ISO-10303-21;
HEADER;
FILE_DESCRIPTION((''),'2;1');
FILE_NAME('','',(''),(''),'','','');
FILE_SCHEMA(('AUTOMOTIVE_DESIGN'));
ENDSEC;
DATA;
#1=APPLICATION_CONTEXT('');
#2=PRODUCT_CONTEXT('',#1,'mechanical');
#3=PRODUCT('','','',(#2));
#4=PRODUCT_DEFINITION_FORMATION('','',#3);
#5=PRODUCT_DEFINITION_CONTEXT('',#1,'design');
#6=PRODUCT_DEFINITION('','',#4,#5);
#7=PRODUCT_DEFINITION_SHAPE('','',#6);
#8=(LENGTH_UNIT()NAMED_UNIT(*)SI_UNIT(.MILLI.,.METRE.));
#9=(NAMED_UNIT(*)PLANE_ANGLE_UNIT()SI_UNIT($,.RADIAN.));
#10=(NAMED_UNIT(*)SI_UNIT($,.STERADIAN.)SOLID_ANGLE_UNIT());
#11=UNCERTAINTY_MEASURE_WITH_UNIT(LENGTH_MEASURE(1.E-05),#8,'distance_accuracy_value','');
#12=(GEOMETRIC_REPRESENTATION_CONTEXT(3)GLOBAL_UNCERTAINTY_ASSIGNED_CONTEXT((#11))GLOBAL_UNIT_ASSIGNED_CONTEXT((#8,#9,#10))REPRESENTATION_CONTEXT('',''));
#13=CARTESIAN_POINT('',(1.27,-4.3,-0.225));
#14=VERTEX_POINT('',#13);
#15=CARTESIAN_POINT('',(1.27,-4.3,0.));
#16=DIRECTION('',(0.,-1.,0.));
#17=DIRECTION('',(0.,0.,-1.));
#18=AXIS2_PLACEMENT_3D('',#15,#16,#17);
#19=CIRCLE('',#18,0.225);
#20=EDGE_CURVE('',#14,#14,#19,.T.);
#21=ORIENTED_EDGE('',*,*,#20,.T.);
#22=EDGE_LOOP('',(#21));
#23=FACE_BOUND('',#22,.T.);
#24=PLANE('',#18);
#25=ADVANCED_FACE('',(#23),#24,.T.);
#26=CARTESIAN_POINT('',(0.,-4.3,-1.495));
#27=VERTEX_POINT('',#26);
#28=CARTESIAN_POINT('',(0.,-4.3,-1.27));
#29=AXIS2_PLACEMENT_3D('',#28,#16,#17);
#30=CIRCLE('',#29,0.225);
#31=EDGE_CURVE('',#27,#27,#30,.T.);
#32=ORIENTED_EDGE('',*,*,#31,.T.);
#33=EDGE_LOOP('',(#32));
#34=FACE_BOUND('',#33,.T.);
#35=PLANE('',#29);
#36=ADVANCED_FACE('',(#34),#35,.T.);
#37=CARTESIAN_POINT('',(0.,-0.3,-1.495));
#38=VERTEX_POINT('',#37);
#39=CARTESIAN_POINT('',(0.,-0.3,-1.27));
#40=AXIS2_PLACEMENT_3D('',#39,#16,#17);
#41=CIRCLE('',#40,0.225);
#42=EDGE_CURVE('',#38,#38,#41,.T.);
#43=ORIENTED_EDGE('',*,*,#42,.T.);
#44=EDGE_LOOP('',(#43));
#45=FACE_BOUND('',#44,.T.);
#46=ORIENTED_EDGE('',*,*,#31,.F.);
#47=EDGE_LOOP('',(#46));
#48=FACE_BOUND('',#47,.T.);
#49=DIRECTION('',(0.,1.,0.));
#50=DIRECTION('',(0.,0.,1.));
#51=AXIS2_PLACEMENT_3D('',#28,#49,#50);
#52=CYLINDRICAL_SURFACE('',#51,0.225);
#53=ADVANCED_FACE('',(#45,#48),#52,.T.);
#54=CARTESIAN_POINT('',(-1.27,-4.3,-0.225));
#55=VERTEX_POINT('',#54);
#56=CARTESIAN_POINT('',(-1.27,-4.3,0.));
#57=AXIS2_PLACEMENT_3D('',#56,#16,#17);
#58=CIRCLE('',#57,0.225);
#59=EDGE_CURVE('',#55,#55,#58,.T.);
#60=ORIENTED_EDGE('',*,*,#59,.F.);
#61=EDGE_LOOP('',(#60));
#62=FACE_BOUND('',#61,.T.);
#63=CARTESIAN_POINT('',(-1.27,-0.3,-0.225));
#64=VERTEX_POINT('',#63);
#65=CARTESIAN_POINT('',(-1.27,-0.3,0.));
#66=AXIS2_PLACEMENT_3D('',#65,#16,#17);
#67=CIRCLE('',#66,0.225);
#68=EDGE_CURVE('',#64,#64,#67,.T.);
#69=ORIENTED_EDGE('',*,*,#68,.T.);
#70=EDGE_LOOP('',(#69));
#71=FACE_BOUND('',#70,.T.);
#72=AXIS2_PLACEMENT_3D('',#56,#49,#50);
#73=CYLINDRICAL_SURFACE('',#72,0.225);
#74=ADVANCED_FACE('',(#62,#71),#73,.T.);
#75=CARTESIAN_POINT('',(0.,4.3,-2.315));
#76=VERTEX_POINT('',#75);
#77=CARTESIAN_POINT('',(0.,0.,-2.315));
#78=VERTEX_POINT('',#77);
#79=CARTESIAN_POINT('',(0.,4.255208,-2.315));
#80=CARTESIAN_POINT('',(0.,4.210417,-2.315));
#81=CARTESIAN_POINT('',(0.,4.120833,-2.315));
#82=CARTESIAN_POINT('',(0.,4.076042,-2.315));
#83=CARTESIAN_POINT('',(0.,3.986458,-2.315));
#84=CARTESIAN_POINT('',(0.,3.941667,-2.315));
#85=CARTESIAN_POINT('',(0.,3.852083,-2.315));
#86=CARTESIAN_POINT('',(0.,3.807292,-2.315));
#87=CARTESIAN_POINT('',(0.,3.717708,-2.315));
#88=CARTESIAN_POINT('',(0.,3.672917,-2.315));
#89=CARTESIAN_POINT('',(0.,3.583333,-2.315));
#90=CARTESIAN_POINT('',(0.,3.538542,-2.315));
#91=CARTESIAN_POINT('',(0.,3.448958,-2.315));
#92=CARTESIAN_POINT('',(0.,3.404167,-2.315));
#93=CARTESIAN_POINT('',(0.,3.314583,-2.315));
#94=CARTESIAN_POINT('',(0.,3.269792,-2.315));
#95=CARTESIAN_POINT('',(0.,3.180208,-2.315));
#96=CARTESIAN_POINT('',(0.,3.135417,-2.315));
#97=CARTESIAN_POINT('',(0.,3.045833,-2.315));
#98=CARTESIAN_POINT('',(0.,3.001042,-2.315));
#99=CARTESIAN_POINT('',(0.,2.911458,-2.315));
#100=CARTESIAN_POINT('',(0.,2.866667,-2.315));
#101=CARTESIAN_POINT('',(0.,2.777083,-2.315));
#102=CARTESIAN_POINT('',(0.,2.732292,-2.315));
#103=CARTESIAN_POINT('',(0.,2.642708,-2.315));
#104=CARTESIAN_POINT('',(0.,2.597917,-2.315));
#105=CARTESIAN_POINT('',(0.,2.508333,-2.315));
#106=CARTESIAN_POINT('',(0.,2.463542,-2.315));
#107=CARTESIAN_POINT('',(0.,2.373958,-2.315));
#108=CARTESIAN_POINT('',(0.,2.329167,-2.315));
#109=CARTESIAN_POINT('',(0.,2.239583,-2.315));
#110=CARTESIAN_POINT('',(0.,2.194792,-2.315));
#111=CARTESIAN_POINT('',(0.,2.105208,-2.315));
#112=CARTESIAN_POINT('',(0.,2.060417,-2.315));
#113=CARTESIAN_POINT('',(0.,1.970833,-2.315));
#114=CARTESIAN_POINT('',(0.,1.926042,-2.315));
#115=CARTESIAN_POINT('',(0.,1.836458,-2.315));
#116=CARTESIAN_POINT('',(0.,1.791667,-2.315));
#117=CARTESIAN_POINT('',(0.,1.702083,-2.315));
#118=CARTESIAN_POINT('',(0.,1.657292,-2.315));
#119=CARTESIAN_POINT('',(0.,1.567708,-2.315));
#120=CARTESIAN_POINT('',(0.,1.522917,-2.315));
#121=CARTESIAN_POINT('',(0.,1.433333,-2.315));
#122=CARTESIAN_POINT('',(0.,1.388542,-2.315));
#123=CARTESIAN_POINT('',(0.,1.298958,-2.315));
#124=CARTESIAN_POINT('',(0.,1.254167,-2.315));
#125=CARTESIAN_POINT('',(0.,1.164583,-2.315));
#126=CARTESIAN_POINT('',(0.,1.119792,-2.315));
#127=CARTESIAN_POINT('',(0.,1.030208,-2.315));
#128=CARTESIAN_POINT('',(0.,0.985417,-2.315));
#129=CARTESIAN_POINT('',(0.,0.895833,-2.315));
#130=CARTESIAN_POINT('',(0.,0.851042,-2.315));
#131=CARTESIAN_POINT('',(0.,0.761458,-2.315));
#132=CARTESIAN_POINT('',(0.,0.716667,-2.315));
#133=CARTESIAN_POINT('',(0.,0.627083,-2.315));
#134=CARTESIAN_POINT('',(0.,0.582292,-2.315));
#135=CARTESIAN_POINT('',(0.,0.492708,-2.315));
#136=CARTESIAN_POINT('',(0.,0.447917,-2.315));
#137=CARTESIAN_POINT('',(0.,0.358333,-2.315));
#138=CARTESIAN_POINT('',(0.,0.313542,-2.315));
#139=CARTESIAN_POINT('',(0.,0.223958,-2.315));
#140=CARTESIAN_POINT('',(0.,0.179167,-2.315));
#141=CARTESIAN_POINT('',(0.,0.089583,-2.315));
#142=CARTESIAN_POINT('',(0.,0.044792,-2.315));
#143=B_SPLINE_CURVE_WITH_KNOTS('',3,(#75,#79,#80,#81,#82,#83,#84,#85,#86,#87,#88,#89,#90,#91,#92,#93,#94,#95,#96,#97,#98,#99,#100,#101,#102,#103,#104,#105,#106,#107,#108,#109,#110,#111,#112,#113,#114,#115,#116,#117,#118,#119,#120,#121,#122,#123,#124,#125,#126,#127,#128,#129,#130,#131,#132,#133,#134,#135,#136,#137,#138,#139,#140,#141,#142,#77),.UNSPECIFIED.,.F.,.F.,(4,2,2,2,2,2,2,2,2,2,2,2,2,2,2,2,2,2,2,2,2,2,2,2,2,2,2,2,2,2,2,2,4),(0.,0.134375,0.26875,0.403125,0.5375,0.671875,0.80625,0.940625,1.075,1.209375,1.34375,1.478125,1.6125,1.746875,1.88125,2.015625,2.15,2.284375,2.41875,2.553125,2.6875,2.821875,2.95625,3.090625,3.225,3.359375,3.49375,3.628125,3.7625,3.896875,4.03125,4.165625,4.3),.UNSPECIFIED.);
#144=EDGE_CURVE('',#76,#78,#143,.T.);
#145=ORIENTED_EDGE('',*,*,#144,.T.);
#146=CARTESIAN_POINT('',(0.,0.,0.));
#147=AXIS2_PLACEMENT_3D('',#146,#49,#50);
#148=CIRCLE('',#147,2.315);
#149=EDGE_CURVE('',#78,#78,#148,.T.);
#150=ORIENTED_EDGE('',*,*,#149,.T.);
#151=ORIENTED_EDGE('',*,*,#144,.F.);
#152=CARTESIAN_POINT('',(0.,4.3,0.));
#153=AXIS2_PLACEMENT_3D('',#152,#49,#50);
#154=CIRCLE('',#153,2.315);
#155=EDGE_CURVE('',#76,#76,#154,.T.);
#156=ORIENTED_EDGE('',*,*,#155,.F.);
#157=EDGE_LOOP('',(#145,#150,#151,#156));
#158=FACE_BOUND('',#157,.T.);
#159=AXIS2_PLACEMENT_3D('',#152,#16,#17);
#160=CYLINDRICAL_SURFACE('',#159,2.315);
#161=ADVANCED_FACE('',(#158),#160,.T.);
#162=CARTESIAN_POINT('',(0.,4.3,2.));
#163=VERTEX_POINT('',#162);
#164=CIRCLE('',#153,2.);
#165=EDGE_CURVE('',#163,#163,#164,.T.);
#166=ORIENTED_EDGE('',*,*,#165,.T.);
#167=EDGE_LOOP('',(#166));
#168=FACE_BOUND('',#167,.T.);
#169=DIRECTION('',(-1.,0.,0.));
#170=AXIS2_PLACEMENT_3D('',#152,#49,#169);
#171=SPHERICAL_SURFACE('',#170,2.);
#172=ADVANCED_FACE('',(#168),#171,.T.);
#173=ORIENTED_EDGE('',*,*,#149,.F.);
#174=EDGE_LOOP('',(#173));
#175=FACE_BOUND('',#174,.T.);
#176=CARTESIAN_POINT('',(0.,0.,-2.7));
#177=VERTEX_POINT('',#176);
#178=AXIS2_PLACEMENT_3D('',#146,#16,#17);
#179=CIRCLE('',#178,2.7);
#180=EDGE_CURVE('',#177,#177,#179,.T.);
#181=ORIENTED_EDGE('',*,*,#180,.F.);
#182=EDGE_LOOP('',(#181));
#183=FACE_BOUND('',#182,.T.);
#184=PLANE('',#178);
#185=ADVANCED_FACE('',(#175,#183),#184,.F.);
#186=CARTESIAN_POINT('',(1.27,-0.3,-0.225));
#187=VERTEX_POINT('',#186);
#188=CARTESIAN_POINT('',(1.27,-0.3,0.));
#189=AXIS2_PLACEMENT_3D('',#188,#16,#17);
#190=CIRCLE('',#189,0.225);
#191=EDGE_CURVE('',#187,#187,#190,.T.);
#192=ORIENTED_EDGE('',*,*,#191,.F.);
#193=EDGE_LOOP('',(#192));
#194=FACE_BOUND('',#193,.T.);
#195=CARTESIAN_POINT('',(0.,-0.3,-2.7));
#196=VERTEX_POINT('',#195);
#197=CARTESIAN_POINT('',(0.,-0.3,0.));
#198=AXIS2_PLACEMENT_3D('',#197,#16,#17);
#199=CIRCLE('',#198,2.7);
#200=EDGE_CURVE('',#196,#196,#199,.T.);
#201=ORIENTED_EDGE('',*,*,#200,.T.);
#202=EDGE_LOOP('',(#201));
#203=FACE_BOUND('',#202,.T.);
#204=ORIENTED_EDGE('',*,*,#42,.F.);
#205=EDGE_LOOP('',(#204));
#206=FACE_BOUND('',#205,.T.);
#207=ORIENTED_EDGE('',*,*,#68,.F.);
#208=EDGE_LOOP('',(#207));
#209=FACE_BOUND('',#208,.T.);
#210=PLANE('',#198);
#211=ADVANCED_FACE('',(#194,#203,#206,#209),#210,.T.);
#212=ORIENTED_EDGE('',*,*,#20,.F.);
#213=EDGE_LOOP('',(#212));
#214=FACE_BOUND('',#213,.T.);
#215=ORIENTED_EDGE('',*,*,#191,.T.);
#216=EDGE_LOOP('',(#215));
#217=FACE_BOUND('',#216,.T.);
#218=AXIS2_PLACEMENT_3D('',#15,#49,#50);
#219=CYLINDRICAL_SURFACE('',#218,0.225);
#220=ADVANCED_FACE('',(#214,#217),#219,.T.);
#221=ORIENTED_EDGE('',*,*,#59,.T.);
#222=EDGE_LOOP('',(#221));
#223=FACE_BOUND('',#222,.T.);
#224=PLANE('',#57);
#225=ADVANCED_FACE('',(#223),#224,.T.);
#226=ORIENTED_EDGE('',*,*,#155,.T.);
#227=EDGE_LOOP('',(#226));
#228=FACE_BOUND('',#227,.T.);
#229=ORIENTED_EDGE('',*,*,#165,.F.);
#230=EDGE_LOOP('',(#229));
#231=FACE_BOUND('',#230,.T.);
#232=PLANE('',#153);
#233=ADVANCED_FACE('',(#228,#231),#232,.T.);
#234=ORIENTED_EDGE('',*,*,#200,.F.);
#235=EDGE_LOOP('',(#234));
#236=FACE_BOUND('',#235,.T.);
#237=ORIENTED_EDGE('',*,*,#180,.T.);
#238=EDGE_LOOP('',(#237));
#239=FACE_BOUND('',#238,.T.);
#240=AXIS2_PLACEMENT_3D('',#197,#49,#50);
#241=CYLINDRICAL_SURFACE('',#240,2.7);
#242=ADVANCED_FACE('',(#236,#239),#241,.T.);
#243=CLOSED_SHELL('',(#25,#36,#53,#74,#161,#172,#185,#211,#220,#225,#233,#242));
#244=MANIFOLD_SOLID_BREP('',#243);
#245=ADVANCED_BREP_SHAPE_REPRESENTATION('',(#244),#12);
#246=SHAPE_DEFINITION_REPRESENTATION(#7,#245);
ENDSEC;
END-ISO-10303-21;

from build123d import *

# Parameters (mm, degrees)
SKETCH_1_R      = 2.315
EXTRUDE_1_DEPTH = 4.3
SKETCH_3_R      = 2.7
EXTRUDE_2_DEPTH = 0.3
SKETCH_5_R      = 0.225
EXTRUDE_3_DEPTH = 4


with BuildPart() as part:
    # 草图1 → 凸台-拉伸1 (new body)
    with BuildSketch(Plane(origin=(0, 0, 0), x_dir=(1, 0, 0), z_dir=(0, 1, 0))):
        with Locations(Location((0, 0, 0), (0, 0, 90))):
            Circle(SKETCH_1_R)
    extrude(amount=EXTRUDE_1_DEPTH)

    # 草图2 → 旋转2 (revolve)
    with BuildSketch(Plane.XY):
        with BuildLine():
            Line((-2, 4.3), (0, 4.3))
            Line((0, 4.3), (0, 6.3))
            ThreePointArc((0, 6.3), (-1.414213562, 5.714213562), (-2, 4.3))
        make_face()
    revolve(axis=Axis((0, 11.522957205, 0), (0, -1, 0)))

    # 草图3 → 凸台-拉伸2 (add)
    with BuildSketch(Plane.XZ):
        with Locations(Location((0, 0, 0), (0, 0, 270))):
            Circle(SKETCH_3_R)
    extrude(amount=EXTRUDE_2_DEPTH)

    # 草图5 → 凸台-拉伸3 (add)
    with BuildSketch(Plane.XZ.offset(0.3)):
        with Locations(Location((-1.27, 0, 0), (0, 0, 270))):
            Circle(SKETCH_5_R)
        with Locations(Location((1.27, 0, 0), (0, 0, 270))):
            Circle(SKETCH_5_R)
        with Locations(Location((0, -1.27, 0), (0, 0, 270))):
            Circle(SKETCH_5_R)
    extrude(amount=EXTRUDE_3_DEPTH)


solid = part.part
